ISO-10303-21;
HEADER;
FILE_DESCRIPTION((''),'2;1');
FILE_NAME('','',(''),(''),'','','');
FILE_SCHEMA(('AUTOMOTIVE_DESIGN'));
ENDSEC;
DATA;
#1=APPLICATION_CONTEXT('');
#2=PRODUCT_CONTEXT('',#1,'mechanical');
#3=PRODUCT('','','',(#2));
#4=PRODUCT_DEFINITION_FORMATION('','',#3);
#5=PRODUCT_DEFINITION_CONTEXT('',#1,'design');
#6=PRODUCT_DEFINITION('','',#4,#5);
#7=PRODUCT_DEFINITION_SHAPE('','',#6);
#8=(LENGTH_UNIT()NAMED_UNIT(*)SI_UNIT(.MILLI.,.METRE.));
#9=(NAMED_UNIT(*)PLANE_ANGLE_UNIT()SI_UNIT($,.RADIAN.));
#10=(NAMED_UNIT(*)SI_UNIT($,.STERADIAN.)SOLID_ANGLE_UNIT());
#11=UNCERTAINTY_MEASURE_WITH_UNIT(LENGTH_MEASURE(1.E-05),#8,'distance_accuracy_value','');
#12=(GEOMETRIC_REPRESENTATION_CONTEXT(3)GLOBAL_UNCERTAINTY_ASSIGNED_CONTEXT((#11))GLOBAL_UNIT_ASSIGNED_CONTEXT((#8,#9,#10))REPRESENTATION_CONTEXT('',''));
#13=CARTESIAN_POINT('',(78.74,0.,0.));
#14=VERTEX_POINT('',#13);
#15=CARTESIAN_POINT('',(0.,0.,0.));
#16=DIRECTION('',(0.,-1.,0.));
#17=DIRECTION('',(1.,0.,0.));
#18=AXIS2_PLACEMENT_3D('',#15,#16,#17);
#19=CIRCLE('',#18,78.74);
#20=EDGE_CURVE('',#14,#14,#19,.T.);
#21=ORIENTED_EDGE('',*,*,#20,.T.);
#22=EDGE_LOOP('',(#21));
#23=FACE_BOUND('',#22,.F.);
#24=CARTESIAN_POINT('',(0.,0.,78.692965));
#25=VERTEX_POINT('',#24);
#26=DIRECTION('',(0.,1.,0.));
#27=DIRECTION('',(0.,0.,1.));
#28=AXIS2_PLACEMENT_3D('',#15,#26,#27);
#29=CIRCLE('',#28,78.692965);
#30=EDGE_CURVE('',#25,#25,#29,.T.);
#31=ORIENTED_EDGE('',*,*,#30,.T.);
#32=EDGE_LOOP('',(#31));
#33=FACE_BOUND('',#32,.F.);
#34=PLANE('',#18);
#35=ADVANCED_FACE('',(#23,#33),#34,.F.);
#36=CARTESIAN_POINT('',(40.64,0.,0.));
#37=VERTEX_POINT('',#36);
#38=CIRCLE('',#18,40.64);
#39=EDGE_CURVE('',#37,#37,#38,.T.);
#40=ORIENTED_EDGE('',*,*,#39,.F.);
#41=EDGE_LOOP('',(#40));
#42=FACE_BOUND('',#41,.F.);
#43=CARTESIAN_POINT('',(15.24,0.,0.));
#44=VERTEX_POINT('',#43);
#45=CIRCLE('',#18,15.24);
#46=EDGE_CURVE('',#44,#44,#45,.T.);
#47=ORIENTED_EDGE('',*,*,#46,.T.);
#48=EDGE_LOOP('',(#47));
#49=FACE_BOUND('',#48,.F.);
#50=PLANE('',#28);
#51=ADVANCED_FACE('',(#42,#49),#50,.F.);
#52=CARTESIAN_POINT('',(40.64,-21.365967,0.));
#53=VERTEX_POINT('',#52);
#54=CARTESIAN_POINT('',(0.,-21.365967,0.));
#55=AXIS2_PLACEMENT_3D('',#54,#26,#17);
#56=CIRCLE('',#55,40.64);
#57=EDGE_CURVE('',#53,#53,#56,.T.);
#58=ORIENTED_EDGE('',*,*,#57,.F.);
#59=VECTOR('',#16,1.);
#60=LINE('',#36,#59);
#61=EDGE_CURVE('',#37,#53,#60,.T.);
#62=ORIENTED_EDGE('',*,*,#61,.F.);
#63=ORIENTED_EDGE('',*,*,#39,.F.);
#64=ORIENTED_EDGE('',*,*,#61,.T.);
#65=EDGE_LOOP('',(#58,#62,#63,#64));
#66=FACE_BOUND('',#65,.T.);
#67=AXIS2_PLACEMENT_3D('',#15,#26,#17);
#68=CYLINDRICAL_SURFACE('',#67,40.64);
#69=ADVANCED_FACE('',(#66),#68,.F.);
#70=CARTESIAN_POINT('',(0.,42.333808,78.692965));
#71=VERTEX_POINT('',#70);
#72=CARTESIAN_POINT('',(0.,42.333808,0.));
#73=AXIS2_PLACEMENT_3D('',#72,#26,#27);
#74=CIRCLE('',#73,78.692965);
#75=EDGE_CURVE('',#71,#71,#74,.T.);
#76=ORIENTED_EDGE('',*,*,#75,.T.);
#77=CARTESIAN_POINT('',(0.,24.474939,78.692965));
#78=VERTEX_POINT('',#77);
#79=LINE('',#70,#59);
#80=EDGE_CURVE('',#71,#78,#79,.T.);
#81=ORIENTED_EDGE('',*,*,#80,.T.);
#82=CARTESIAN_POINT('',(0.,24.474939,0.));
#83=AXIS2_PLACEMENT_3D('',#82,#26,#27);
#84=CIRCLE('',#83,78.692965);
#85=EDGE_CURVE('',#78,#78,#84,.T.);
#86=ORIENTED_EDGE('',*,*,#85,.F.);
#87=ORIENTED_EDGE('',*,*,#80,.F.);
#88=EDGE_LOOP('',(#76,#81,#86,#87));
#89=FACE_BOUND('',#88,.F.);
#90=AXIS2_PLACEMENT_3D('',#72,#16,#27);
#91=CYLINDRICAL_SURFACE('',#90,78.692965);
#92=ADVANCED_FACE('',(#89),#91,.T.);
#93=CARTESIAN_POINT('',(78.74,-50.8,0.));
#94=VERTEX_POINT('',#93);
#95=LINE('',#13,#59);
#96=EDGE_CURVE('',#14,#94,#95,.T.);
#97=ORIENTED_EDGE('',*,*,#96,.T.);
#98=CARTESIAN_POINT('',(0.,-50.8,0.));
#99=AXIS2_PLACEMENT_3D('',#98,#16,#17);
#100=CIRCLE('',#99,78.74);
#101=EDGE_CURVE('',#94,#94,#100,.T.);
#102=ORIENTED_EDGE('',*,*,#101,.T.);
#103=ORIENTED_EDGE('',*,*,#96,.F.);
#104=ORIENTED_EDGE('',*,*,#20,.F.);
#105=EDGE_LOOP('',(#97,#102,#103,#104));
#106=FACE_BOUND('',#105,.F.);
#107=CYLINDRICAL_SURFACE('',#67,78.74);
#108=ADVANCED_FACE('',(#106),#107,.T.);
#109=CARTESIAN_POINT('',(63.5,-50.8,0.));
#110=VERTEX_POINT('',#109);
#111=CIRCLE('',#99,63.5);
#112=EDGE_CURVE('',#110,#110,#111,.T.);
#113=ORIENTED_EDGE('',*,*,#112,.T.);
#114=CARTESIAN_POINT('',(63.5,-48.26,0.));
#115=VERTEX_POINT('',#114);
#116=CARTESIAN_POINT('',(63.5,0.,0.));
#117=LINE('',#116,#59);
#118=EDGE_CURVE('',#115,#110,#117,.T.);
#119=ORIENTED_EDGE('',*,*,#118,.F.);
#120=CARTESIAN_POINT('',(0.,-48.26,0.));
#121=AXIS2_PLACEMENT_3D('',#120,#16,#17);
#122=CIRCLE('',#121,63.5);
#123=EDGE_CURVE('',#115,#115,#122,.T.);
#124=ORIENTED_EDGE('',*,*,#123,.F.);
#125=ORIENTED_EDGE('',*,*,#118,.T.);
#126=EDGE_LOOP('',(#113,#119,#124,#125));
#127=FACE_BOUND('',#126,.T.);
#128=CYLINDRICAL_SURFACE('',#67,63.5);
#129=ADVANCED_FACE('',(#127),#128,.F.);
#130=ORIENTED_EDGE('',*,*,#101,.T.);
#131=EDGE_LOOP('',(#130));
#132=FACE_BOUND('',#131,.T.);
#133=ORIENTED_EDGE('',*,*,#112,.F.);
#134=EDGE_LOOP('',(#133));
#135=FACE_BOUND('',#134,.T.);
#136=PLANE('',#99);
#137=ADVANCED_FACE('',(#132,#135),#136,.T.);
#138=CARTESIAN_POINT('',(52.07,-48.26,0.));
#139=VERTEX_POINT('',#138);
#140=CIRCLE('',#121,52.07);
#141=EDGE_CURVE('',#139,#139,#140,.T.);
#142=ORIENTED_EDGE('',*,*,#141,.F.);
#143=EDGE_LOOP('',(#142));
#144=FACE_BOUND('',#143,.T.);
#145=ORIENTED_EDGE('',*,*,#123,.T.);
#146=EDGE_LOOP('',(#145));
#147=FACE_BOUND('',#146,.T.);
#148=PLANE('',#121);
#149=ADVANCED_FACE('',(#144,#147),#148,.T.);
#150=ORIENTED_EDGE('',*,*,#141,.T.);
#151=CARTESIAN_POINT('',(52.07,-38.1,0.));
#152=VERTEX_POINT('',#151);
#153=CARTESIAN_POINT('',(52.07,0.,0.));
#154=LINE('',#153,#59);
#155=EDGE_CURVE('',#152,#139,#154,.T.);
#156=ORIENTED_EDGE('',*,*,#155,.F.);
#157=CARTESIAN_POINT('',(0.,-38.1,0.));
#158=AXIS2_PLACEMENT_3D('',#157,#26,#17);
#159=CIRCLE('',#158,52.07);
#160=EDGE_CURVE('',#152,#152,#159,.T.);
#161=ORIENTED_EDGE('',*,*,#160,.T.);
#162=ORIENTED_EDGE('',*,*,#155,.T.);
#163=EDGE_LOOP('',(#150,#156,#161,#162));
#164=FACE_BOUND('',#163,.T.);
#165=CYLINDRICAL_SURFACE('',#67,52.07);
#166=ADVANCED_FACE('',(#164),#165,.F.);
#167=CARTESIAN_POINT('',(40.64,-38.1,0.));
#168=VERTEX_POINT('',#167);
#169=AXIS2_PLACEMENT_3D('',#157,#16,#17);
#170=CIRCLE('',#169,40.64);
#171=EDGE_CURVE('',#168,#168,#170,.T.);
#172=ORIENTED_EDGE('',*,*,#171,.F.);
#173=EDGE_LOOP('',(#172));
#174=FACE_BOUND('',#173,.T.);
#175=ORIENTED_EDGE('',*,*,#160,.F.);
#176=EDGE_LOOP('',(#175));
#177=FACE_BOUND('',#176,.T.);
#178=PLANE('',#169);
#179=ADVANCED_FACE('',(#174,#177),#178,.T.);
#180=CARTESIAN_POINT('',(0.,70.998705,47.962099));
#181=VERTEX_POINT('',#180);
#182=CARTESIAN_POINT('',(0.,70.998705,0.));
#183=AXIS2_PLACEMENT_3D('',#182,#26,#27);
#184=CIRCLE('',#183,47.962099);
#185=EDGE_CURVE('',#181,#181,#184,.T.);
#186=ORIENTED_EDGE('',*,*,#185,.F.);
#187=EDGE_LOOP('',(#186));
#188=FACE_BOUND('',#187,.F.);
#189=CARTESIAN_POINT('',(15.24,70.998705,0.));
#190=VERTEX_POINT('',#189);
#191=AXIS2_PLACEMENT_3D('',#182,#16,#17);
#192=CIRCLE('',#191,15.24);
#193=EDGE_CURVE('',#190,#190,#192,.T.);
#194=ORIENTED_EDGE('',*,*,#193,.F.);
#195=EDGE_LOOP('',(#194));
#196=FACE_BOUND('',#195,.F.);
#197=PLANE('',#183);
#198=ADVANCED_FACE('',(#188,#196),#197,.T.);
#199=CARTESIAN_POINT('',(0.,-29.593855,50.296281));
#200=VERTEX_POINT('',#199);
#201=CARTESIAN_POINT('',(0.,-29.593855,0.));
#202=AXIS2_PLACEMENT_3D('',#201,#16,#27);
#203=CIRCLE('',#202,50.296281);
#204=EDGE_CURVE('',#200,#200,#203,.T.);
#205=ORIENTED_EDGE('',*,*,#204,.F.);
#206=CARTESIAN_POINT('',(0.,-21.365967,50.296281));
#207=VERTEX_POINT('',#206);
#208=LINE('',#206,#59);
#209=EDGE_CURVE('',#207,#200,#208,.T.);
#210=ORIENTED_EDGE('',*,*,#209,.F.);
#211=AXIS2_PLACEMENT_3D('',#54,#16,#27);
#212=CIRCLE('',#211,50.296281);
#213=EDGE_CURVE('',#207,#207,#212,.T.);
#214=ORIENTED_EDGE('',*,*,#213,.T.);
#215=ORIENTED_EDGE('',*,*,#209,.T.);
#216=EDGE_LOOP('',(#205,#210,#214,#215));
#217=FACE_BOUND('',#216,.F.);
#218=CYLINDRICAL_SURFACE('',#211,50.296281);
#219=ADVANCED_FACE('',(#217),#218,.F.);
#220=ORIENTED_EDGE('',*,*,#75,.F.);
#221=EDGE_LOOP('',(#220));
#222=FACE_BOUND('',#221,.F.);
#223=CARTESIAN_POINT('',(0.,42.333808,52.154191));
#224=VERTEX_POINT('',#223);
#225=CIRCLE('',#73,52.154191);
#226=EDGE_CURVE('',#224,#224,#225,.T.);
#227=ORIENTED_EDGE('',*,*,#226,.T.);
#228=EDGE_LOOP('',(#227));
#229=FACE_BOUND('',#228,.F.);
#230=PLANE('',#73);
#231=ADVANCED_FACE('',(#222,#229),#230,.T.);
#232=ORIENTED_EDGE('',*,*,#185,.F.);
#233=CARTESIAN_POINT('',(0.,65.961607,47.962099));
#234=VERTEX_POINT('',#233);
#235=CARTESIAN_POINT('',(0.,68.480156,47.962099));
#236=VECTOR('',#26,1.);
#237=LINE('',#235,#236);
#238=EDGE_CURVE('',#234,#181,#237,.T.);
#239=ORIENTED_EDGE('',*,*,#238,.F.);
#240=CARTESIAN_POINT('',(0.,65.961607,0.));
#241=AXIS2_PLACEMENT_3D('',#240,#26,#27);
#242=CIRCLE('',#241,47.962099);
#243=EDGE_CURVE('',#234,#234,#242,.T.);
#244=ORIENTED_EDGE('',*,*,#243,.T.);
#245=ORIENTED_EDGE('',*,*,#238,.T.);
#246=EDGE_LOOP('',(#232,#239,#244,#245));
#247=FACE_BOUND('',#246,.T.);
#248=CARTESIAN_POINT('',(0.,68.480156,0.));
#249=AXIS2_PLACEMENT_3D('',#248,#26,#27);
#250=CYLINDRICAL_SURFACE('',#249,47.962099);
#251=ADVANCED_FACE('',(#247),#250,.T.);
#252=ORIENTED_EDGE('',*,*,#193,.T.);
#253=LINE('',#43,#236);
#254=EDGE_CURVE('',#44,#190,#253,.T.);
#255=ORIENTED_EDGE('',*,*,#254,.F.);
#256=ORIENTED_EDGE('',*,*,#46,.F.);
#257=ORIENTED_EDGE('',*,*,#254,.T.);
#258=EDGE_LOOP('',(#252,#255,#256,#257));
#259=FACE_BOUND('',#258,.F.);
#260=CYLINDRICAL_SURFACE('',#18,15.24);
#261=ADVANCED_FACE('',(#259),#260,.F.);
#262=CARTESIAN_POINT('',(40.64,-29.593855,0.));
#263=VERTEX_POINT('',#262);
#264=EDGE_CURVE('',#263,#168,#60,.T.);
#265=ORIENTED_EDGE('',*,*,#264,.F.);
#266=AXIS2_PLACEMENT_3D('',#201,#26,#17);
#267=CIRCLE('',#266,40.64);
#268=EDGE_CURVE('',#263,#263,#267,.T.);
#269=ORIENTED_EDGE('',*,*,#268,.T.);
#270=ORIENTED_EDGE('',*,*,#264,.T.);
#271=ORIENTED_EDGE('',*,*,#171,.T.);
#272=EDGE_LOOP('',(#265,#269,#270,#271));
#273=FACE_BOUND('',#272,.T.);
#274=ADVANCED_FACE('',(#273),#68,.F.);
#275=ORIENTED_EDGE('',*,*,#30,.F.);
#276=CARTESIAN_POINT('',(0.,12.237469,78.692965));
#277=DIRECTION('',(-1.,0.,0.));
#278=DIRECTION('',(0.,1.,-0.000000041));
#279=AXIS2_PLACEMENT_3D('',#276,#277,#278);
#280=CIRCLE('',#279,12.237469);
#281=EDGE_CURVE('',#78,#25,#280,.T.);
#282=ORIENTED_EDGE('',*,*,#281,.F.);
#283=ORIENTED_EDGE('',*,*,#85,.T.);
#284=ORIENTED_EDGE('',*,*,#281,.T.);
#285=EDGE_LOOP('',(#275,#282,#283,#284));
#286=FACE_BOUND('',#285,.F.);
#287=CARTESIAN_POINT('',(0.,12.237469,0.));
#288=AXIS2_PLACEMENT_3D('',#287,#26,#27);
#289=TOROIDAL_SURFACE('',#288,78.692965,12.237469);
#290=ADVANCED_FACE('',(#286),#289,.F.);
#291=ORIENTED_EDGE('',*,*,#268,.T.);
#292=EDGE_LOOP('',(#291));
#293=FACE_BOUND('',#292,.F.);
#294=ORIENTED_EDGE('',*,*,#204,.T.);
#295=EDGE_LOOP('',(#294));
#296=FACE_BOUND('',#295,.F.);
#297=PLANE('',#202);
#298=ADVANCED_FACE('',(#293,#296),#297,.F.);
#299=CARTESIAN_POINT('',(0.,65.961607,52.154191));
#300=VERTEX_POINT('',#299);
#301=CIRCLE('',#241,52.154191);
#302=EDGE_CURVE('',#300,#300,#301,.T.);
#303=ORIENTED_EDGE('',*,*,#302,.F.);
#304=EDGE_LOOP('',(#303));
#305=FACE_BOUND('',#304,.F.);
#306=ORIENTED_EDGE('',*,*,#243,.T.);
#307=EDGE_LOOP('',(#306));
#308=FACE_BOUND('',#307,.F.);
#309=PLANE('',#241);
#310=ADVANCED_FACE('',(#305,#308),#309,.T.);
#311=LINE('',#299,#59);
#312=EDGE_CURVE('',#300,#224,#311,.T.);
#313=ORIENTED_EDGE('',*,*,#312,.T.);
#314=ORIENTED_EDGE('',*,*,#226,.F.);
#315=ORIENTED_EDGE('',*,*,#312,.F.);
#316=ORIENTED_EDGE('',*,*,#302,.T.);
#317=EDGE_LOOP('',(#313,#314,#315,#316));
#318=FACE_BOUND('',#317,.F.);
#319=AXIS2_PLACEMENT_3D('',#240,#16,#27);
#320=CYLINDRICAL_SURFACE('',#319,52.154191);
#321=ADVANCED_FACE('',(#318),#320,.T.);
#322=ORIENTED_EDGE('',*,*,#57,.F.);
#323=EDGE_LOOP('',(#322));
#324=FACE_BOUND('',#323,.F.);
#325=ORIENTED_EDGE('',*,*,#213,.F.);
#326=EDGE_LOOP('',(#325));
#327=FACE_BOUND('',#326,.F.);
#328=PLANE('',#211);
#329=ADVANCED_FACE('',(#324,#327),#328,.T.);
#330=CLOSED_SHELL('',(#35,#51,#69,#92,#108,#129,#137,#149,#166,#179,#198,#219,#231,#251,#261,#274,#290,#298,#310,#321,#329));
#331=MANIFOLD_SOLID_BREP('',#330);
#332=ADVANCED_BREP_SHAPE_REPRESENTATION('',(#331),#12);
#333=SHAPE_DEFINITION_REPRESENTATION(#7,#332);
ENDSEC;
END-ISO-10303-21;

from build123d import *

# Parameters (mm, degrees)
F0_R      = 78.74
F0_R_2    = 63.5
F1_DEPTH  = 50.8
F2_R      = 63.5
F2_R_2    = 52.07
F5_DEPTH  = 48.26
F4_R      = 63.5
F4_R_2    = 40.64
F6_DEPTH  = 38.1
F3_W      = 5.037099
F3_H      = 46.096297
F8_W      = 9.554964
F8_H      = 33.442384
F10_R     = 15.24
F11_DEPTH = 70.999706


with BuildPart() as f1:
    # F0 (on Front) → F1 (new body)
    with BuildSketch(Plane.XZ):
        Circle(F0_R)
        Circle(F0_R_2, mode=Mode.SUBTRACT)
    extrude(amount=F1_DEPTH)

    # F2 (on Front) → F5 (join)
    with BuildSketch(Plane.XZ):
        Circle(F2_R)
        Circle(F2_R_2, mode=Mode.SUBTRACT)
    extrude(amount=F5_DEPTH)

    # F4 (on Front) → F6 (join)
    with BuildSketch(Plane.XZ):
        Circle(F4_R)
        Circle(F4_R_2, mode=Mode.SUBTRACT)
    extrude(amount=F6_DEPTH)

    # F3 (on Right) → F7 (revolve)
    with BuildSketch(Plane.YZ):
        Polygon((42.333808, 78.692965), (24.474939, 78.692965), (24.474939, 1.865802), (42.333808, 1.865802), (42.333808, 52.154191), align=None)
        with BuildLine():
            Line((24.474939, 1.865802), (24.474939, 78.692965))
            ThreePointArc((24.474939, 78.692965), (12.23747, 66.455496), (0, 78.692965))
            Line((0, 78.692965), (0, 1.865802))
            Line((0, 1.865802), (24.474939, 1.865802))
        make_face()
        Polygon((65.961607, 52.154191), (42.333808, 52.154191), (42.333808, 1.865802), (65.961607, 1.865802), (65.961607, 47.962099), align=None)
        with Locations((68.480156, 24.91395)):
            Rectangle(F3_W, F3_H)
    revolve(axis=Axis((0, 23.528613, 0), (0, 1, 0)))

    # F8 (on Right) → F9 (revolve, cut)
    with BuildSketch(Plane.YZ):
        Polygon((-29.593855, 39.679654), (-29.593855, 6.23727), (-21.365967, 6.23727), (-21.365967, 50.296281), (-29.593855, 50.296281), align=None)
        with Locations((-34.371337, 22.958462)):
            Rectangle(F8_W, F8_H)
    revolve(axis=Axis((0, -25.413556, 0), (0, -1, 0)), mode=Mode.SUBTRACT)

    # F10 (on Front) → F11 (cut, through all)
    with BuildSketch(Plane.XZ):
        Circle(F10_R)
    extrude(amount=-F11_DEPTH, mode=Mode.SUBTRACT)


solid = f1.part
